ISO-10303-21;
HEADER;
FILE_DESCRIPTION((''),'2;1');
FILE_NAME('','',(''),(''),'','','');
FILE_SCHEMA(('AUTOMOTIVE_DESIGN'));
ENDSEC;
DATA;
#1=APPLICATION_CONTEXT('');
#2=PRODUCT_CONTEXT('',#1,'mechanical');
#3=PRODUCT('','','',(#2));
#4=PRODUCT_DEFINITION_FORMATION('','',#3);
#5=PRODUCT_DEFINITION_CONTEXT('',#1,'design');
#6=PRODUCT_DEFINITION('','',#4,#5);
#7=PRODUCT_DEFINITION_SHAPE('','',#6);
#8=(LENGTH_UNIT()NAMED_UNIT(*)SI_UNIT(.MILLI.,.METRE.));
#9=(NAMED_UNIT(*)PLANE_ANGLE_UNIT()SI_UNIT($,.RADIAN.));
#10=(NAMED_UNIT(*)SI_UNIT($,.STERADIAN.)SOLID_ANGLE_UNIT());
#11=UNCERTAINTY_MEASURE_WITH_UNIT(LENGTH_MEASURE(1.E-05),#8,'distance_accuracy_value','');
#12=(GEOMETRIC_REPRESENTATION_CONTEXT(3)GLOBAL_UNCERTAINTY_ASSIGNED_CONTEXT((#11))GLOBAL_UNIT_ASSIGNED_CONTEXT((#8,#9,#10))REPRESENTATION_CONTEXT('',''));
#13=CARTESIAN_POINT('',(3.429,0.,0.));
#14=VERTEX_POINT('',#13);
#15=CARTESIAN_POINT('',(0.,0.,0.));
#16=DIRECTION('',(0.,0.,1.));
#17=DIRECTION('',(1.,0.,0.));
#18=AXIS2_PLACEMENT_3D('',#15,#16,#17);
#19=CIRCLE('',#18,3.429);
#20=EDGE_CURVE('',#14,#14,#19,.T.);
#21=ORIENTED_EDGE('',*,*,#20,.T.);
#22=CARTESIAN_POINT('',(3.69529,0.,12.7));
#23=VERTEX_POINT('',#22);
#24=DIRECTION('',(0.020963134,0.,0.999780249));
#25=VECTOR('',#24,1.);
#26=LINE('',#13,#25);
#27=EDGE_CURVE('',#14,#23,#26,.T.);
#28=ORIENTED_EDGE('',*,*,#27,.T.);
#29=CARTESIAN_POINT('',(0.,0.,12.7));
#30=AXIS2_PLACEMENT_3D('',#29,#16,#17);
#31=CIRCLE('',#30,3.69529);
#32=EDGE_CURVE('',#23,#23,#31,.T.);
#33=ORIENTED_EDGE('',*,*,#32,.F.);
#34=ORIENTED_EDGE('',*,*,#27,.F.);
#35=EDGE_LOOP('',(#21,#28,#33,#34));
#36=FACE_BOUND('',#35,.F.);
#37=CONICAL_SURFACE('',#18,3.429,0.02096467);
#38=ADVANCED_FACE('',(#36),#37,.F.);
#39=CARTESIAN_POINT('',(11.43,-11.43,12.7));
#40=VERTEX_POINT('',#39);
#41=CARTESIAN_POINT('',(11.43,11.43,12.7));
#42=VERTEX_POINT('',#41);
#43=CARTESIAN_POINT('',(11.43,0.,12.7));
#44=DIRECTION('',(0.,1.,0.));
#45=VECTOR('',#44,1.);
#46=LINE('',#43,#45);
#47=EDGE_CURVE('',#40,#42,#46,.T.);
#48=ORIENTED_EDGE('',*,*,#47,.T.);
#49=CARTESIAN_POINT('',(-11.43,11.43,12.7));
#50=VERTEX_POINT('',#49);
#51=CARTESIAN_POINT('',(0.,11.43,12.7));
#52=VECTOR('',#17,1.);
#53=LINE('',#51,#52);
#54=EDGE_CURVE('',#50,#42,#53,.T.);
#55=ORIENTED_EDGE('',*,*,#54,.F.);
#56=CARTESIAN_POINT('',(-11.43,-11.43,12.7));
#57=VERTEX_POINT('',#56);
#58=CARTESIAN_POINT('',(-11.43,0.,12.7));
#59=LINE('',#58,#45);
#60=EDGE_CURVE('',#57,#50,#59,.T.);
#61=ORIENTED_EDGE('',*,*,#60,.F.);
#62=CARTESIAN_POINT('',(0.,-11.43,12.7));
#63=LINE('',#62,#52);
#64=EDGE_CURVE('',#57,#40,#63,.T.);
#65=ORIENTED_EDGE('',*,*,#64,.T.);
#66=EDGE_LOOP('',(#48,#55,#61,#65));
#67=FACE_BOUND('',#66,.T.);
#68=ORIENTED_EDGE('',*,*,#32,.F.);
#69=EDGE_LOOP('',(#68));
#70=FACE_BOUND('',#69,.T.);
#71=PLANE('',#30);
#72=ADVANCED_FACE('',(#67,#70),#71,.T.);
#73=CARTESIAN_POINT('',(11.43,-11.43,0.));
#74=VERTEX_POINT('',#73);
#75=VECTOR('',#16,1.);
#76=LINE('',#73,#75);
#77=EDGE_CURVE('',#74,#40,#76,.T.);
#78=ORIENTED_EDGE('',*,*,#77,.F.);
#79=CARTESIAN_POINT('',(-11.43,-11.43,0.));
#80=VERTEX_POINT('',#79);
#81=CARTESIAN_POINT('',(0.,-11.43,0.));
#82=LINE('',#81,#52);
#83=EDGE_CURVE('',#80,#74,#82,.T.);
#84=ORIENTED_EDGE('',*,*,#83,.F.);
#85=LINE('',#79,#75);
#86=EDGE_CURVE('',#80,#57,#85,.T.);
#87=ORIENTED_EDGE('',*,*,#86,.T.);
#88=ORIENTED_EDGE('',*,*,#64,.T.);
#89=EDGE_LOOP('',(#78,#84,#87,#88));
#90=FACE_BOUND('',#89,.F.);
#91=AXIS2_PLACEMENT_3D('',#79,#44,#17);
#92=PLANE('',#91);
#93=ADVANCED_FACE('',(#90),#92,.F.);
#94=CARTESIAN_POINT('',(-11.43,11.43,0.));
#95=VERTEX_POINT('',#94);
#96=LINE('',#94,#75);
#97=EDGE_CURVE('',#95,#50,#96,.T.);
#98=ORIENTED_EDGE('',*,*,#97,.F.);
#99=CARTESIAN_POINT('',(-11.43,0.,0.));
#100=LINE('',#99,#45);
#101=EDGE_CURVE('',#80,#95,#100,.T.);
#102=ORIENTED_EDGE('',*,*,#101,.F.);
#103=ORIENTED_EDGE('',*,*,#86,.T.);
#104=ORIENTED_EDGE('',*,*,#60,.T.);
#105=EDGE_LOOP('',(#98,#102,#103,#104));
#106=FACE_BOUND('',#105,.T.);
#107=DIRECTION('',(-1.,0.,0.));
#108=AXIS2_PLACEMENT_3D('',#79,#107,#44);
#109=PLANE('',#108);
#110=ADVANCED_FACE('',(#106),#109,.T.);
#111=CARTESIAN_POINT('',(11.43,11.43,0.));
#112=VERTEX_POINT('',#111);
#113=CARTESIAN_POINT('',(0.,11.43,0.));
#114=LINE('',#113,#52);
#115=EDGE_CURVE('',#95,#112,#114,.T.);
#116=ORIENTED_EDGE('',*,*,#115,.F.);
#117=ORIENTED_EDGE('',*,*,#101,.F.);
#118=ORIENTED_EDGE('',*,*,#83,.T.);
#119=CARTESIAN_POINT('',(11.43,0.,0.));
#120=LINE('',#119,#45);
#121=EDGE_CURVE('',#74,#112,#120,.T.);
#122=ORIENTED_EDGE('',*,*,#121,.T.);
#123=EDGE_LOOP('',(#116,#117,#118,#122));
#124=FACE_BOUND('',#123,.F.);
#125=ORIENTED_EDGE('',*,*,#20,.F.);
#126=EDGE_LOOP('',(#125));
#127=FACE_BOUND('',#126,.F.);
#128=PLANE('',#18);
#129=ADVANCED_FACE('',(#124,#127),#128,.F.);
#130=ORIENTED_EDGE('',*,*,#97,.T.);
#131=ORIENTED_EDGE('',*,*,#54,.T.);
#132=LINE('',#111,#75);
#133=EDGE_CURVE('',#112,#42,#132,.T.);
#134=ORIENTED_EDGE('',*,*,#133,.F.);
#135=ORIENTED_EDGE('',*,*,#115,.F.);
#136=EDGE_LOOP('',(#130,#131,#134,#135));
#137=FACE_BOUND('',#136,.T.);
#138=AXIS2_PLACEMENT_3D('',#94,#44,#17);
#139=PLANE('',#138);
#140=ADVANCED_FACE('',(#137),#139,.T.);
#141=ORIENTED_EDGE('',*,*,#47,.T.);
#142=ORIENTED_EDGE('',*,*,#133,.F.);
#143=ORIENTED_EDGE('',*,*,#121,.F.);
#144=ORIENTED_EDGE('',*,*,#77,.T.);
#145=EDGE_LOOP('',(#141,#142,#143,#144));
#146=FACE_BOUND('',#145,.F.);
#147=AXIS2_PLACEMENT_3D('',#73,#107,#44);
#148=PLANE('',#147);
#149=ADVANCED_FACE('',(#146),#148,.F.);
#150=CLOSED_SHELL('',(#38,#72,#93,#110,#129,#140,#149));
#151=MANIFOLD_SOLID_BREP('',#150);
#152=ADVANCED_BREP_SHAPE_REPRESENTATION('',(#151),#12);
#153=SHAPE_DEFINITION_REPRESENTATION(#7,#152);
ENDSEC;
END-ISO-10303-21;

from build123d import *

# Parameters (mm, degrees)
F0_W     = 22.86
F0_H     = 22.86
F1_DEPTH = 12.7


with BuildPart() as f1:
    # F0 (on Top) → F1 (new body)
    with BuildSketch(Plane.XY):
        Rectangle(F0_W, F0_H)
    extrude(amount=F1_DEPTH)

    # F2 (on Front) → F3 (revolve, cut)
    with BuildSketch(Plane.XZ):
        Polygon((0, 78.74), (0, 0), (3.429, 0), (5.08, 78.74), align=None)
    revolve(axis=Axis((0, 0, 39.37), (0, 0, 1)), mode=Mode.SUBTRACT)


solid = f1.part
